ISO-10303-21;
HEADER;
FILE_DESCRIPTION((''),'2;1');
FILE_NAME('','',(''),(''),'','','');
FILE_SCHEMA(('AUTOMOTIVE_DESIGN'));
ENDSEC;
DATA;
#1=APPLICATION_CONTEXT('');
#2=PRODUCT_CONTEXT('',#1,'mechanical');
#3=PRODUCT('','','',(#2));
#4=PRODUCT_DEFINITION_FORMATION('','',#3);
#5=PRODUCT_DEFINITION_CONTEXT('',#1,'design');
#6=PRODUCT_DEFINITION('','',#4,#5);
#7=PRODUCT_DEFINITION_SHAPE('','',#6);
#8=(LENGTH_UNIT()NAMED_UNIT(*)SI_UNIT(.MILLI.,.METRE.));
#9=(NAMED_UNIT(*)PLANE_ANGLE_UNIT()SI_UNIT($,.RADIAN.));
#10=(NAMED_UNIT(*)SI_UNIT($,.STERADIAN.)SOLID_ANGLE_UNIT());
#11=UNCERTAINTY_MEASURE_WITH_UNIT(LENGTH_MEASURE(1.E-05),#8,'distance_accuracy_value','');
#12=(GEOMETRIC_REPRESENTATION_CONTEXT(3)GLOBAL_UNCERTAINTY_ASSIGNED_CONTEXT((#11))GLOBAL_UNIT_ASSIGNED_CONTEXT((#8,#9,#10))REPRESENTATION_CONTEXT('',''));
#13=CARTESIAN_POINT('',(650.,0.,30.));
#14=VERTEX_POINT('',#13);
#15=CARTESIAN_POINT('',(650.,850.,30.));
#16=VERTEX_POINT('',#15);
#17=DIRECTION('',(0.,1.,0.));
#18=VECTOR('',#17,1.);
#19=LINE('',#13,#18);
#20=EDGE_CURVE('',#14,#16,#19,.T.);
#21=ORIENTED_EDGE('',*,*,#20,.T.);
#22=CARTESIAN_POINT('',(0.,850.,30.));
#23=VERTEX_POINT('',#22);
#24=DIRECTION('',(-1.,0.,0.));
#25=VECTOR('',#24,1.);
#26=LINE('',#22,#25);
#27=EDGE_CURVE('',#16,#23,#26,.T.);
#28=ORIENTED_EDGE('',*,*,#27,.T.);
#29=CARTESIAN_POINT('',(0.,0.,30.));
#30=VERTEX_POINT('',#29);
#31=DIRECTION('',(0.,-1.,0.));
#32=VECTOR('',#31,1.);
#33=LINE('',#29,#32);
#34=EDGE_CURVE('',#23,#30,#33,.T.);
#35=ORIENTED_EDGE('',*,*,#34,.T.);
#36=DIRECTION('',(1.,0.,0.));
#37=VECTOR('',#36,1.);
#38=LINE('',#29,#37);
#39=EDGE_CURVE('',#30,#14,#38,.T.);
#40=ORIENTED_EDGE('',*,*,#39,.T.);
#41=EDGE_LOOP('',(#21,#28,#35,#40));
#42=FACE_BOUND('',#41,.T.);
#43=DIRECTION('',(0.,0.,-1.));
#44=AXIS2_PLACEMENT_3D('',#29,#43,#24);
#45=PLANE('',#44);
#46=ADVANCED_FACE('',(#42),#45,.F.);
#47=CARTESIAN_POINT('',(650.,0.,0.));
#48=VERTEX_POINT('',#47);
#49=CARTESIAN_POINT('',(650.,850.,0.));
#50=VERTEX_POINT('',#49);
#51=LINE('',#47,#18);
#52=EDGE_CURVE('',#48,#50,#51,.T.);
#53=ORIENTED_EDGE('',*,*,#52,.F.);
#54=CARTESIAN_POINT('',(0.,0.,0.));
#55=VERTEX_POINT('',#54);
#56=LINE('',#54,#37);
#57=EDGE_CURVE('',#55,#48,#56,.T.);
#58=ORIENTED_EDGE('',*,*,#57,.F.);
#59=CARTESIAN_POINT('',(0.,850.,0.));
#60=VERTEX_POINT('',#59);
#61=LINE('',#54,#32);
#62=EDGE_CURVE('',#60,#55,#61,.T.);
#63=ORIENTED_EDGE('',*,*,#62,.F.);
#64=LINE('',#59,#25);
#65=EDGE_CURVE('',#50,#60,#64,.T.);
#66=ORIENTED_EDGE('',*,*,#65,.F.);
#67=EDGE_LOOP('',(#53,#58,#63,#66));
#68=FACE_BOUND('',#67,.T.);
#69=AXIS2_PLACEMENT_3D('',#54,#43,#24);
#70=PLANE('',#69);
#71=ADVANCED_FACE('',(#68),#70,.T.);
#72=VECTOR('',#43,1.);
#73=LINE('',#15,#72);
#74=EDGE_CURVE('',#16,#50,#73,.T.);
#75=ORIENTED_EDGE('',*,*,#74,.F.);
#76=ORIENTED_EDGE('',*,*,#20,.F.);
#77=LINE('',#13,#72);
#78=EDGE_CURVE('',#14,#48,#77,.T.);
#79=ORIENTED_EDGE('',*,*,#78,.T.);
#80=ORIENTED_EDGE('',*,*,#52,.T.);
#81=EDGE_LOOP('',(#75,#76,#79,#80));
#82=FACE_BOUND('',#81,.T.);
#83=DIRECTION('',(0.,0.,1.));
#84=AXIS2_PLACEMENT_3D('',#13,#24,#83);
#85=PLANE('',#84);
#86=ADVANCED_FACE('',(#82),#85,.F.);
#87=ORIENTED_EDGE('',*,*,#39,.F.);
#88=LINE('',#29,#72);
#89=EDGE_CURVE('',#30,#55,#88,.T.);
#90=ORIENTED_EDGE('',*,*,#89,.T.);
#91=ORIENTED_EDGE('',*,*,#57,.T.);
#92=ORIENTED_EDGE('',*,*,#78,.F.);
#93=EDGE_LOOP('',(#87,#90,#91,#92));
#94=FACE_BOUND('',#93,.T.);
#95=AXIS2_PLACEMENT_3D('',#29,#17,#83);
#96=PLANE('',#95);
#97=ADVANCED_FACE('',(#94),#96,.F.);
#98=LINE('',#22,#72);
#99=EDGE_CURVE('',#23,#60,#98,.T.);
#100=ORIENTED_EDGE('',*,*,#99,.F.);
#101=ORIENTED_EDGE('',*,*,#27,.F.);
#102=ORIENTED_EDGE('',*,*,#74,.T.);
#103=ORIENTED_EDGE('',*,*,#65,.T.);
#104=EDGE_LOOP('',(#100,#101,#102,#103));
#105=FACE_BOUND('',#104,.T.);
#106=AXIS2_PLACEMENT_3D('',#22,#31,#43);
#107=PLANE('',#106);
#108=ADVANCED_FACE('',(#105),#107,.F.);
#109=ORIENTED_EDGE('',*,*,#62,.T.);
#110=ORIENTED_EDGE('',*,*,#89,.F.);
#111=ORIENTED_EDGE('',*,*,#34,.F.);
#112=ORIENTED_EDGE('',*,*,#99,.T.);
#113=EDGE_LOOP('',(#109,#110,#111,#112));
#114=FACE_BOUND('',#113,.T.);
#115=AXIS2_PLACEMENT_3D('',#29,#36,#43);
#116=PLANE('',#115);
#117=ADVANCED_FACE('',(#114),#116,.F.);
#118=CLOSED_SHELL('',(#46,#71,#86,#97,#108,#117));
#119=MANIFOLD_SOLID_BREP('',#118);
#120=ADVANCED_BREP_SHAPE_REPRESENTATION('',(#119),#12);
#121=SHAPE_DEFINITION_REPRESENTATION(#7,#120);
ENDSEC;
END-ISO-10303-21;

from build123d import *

# Parameters (mm, degrees)
SKETCH1_W            = 650
SKETCH1_H            = 850
REFERENCE_ONLY_DEPTH = 30


with BuildPart() as part:
    # Sketch1 → Reference_only (new body)
    with BuildSketch(Plane.XY):
        with Locations((325, 425)):
            Rectangle(SKETCH1_W, SKETCH1_H)
    extrude(amount=REFERENCE_ONLY_DEPTH)


solid = part.part
